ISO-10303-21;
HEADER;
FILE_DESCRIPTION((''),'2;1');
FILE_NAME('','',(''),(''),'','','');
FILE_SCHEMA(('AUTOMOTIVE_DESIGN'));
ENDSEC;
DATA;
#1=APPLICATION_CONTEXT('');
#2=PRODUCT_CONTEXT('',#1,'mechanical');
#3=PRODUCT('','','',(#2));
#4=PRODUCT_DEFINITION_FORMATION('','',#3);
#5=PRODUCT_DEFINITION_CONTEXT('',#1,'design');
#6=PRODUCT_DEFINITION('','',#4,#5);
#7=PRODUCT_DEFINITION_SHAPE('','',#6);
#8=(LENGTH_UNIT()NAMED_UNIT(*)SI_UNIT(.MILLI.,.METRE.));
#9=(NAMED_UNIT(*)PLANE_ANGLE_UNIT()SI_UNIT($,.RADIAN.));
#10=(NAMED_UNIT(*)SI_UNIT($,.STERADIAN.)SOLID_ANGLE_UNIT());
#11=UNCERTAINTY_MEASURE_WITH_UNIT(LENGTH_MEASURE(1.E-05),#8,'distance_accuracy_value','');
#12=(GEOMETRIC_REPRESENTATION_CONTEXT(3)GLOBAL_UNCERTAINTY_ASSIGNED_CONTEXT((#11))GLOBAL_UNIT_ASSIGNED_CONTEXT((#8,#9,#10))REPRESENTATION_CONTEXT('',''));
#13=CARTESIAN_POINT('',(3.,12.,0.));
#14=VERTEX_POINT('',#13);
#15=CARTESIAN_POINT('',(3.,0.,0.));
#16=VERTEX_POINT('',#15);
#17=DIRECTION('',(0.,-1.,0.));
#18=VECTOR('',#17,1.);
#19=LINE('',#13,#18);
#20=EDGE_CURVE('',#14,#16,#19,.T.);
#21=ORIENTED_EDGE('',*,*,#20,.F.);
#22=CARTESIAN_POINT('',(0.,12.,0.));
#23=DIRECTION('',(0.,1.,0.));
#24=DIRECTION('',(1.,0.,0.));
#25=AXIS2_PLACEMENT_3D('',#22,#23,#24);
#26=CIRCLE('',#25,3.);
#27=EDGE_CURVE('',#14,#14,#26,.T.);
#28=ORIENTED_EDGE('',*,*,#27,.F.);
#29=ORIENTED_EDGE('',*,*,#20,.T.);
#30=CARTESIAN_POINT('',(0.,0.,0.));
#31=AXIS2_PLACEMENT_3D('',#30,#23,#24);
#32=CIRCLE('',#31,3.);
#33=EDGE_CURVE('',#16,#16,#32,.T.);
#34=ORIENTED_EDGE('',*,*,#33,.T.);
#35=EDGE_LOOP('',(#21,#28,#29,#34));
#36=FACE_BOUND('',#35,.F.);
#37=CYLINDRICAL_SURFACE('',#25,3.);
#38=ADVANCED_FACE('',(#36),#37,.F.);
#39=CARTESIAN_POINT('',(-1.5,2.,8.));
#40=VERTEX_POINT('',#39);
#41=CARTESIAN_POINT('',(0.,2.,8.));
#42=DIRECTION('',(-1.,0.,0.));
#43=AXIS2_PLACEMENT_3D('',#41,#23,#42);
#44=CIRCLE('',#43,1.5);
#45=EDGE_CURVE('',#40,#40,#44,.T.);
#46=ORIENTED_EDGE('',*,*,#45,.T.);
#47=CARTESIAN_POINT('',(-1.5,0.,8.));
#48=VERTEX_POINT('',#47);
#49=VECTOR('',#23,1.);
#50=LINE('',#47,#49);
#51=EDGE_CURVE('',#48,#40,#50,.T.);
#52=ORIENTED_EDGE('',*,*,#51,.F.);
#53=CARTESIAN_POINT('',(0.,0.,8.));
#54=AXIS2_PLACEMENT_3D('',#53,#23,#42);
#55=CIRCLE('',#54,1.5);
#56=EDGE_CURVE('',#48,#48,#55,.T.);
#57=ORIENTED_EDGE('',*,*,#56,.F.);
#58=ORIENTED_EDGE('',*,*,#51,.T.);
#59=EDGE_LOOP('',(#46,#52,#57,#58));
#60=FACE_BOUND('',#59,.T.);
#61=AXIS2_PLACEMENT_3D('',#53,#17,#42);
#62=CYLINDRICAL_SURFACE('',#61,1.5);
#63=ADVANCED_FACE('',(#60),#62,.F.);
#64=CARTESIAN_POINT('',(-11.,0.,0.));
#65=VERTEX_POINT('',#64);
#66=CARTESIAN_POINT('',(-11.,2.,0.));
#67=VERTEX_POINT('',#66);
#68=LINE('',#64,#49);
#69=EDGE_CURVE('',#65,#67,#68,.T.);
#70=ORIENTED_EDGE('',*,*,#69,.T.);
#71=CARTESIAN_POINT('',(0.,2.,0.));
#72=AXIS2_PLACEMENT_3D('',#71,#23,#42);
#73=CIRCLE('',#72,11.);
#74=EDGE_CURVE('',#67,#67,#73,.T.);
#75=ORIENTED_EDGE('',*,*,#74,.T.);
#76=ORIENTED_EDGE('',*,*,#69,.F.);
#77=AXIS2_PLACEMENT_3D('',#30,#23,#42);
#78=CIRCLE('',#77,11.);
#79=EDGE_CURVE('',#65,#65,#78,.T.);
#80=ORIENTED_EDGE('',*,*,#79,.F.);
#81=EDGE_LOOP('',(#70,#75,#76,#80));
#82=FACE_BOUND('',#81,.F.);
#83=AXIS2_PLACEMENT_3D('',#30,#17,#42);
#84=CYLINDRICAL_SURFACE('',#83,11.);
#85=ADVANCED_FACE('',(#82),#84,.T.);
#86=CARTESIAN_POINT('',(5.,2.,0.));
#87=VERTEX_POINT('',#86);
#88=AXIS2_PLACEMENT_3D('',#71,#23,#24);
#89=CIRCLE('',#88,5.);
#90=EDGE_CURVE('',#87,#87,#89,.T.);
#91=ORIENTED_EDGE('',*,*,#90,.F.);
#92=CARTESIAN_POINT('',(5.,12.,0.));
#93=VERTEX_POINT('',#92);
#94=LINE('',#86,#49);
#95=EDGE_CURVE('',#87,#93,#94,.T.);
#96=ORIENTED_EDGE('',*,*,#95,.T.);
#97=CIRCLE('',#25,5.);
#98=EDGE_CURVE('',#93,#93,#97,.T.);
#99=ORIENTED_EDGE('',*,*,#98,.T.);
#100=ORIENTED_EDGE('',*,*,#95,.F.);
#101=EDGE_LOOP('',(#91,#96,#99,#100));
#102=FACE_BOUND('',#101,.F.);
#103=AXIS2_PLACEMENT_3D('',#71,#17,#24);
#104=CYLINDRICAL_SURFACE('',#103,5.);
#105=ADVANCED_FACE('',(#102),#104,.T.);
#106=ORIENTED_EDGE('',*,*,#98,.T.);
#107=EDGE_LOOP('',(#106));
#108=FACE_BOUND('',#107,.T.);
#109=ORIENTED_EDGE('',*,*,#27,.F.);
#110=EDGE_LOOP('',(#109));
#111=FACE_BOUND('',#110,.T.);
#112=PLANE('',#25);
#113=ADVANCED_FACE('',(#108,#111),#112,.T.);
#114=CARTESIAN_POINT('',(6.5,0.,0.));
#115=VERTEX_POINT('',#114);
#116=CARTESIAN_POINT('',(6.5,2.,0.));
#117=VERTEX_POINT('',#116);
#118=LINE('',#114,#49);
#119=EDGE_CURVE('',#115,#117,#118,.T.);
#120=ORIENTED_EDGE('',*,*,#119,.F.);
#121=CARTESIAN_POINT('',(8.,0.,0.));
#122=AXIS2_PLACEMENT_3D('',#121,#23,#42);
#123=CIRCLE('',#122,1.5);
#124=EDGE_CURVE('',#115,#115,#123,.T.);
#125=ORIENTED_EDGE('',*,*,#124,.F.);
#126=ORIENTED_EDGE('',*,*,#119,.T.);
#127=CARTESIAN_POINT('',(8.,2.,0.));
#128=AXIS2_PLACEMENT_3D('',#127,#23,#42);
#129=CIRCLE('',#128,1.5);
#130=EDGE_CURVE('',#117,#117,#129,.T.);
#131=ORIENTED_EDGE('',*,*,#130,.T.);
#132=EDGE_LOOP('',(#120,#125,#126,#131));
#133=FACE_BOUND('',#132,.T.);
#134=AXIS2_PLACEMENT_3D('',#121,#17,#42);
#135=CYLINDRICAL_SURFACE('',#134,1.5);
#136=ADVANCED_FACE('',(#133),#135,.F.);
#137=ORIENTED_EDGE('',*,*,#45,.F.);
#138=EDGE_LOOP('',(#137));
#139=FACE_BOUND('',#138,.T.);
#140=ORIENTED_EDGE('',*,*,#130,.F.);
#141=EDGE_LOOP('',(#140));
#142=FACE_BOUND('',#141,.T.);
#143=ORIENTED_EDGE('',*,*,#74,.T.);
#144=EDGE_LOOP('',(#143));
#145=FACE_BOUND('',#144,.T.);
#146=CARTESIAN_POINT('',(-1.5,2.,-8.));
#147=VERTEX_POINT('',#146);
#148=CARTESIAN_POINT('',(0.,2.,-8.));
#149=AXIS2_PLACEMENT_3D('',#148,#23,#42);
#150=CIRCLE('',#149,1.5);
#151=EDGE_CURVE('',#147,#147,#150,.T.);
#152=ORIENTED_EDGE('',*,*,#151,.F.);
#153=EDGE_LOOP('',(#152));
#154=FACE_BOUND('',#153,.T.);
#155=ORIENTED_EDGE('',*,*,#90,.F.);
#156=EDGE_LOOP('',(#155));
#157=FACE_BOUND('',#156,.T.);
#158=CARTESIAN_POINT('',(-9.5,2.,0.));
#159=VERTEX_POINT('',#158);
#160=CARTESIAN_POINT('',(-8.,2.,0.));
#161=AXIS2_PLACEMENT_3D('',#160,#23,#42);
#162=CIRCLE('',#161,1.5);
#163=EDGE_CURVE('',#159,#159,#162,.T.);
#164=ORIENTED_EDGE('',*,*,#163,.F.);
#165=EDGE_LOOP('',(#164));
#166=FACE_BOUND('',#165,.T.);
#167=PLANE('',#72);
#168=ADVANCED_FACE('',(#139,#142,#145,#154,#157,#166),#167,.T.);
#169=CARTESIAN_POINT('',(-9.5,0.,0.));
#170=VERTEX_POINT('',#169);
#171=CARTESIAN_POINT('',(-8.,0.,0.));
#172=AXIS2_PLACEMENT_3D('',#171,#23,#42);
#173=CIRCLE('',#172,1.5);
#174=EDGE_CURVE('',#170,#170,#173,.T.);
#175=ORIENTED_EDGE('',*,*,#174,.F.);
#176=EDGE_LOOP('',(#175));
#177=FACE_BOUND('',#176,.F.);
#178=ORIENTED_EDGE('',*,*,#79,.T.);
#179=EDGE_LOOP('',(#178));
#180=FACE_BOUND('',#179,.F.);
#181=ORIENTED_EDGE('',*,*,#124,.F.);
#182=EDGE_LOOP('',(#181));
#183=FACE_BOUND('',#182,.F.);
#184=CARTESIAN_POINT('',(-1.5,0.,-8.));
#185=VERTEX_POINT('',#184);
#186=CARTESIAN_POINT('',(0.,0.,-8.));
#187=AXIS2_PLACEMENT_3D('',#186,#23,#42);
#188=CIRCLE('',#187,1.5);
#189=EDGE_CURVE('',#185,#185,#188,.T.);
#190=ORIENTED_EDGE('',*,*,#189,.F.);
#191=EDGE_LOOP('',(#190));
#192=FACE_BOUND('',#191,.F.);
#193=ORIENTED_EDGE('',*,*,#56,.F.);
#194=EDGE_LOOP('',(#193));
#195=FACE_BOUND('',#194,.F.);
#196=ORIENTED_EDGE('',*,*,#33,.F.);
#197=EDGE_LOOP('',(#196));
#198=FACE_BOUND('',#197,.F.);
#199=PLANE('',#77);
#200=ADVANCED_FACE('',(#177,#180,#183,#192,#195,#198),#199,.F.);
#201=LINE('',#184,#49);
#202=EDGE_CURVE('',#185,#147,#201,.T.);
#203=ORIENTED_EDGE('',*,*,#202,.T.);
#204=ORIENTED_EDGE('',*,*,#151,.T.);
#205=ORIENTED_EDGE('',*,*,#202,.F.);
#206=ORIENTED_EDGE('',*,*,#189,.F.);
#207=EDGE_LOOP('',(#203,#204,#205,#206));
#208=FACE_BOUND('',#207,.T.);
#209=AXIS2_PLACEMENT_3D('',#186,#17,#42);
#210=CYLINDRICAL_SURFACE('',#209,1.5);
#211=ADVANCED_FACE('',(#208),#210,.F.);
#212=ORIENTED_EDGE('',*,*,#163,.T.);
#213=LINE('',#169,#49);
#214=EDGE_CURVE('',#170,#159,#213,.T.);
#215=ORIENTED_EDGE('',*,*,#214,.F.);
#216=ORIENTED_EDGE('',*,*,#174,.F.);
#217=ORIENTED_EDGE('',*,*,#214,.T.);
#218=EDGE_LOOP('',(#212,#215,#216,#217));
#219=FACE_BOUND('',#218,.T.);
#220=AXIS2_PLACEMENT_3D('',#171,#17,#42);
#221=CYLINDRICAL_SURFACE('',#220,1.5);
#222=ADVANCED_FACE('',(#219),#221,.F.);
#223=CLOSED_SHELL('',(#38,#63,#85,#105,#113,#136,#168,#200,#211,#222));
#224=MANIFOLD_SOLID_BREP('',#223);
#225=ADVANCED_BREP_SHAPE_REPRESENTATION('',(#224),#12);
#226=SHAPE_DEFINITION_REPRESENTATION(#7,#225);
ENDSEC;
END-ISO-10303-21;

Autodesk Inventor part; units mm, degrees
ref_plane "YZ Plane" through (0, 0, 0) normal (1, 0, 0) x (0, 1, 0)
ref_plane "XZ Plane" through (0, 0, 0) normal (0, 1, 0) x (-1, 0, 0)
ref_plane "XY Plane" through (0, 0, 0) normal (0, 0, 1) x (1, 0, 0)
sketch "草圖1" plane through (0, 0, 0) normal (0, 1, 0) x (-1, 0, 0)
  circle A0 centre (0, 0) radius 11
  circle A1 centre (0, 0) radius 8 construction
  circle A2 centre (8, 0) radius 1.5
  circle A3 centre (0, 8) radius 1.5
  circle A4 centre (-8, 0) radius 1.5
  circle A5 centre (0, -8) radius 1.5
  dimension "d1" = 16
  dimension "d0" = 22
  dimension "d2" = 3
  dimension "d5" = 360
extrude "擠出1" add sketch "草圖1" along normal blind 2
sketch "草圖2" plane through (0, 2, 0) normal (0, 1, 0) x (1, 0, 0)
  circle A0 centre (0, 0) radius 5
  dimension "d9" = 10
extrude "擠出2" add sketch "草圖2" along normal blind 10
sketch "草圖3" plane through (0, 12, 0) normal (0, 1, 0) x (1, 0, 0)
  circle A0 centre (0, 0) radius 3
  dimension "d12" = 6
extrude "擠出3" cut sketch "草圖3" against normal through all
properties part number "6mm axle hub"
